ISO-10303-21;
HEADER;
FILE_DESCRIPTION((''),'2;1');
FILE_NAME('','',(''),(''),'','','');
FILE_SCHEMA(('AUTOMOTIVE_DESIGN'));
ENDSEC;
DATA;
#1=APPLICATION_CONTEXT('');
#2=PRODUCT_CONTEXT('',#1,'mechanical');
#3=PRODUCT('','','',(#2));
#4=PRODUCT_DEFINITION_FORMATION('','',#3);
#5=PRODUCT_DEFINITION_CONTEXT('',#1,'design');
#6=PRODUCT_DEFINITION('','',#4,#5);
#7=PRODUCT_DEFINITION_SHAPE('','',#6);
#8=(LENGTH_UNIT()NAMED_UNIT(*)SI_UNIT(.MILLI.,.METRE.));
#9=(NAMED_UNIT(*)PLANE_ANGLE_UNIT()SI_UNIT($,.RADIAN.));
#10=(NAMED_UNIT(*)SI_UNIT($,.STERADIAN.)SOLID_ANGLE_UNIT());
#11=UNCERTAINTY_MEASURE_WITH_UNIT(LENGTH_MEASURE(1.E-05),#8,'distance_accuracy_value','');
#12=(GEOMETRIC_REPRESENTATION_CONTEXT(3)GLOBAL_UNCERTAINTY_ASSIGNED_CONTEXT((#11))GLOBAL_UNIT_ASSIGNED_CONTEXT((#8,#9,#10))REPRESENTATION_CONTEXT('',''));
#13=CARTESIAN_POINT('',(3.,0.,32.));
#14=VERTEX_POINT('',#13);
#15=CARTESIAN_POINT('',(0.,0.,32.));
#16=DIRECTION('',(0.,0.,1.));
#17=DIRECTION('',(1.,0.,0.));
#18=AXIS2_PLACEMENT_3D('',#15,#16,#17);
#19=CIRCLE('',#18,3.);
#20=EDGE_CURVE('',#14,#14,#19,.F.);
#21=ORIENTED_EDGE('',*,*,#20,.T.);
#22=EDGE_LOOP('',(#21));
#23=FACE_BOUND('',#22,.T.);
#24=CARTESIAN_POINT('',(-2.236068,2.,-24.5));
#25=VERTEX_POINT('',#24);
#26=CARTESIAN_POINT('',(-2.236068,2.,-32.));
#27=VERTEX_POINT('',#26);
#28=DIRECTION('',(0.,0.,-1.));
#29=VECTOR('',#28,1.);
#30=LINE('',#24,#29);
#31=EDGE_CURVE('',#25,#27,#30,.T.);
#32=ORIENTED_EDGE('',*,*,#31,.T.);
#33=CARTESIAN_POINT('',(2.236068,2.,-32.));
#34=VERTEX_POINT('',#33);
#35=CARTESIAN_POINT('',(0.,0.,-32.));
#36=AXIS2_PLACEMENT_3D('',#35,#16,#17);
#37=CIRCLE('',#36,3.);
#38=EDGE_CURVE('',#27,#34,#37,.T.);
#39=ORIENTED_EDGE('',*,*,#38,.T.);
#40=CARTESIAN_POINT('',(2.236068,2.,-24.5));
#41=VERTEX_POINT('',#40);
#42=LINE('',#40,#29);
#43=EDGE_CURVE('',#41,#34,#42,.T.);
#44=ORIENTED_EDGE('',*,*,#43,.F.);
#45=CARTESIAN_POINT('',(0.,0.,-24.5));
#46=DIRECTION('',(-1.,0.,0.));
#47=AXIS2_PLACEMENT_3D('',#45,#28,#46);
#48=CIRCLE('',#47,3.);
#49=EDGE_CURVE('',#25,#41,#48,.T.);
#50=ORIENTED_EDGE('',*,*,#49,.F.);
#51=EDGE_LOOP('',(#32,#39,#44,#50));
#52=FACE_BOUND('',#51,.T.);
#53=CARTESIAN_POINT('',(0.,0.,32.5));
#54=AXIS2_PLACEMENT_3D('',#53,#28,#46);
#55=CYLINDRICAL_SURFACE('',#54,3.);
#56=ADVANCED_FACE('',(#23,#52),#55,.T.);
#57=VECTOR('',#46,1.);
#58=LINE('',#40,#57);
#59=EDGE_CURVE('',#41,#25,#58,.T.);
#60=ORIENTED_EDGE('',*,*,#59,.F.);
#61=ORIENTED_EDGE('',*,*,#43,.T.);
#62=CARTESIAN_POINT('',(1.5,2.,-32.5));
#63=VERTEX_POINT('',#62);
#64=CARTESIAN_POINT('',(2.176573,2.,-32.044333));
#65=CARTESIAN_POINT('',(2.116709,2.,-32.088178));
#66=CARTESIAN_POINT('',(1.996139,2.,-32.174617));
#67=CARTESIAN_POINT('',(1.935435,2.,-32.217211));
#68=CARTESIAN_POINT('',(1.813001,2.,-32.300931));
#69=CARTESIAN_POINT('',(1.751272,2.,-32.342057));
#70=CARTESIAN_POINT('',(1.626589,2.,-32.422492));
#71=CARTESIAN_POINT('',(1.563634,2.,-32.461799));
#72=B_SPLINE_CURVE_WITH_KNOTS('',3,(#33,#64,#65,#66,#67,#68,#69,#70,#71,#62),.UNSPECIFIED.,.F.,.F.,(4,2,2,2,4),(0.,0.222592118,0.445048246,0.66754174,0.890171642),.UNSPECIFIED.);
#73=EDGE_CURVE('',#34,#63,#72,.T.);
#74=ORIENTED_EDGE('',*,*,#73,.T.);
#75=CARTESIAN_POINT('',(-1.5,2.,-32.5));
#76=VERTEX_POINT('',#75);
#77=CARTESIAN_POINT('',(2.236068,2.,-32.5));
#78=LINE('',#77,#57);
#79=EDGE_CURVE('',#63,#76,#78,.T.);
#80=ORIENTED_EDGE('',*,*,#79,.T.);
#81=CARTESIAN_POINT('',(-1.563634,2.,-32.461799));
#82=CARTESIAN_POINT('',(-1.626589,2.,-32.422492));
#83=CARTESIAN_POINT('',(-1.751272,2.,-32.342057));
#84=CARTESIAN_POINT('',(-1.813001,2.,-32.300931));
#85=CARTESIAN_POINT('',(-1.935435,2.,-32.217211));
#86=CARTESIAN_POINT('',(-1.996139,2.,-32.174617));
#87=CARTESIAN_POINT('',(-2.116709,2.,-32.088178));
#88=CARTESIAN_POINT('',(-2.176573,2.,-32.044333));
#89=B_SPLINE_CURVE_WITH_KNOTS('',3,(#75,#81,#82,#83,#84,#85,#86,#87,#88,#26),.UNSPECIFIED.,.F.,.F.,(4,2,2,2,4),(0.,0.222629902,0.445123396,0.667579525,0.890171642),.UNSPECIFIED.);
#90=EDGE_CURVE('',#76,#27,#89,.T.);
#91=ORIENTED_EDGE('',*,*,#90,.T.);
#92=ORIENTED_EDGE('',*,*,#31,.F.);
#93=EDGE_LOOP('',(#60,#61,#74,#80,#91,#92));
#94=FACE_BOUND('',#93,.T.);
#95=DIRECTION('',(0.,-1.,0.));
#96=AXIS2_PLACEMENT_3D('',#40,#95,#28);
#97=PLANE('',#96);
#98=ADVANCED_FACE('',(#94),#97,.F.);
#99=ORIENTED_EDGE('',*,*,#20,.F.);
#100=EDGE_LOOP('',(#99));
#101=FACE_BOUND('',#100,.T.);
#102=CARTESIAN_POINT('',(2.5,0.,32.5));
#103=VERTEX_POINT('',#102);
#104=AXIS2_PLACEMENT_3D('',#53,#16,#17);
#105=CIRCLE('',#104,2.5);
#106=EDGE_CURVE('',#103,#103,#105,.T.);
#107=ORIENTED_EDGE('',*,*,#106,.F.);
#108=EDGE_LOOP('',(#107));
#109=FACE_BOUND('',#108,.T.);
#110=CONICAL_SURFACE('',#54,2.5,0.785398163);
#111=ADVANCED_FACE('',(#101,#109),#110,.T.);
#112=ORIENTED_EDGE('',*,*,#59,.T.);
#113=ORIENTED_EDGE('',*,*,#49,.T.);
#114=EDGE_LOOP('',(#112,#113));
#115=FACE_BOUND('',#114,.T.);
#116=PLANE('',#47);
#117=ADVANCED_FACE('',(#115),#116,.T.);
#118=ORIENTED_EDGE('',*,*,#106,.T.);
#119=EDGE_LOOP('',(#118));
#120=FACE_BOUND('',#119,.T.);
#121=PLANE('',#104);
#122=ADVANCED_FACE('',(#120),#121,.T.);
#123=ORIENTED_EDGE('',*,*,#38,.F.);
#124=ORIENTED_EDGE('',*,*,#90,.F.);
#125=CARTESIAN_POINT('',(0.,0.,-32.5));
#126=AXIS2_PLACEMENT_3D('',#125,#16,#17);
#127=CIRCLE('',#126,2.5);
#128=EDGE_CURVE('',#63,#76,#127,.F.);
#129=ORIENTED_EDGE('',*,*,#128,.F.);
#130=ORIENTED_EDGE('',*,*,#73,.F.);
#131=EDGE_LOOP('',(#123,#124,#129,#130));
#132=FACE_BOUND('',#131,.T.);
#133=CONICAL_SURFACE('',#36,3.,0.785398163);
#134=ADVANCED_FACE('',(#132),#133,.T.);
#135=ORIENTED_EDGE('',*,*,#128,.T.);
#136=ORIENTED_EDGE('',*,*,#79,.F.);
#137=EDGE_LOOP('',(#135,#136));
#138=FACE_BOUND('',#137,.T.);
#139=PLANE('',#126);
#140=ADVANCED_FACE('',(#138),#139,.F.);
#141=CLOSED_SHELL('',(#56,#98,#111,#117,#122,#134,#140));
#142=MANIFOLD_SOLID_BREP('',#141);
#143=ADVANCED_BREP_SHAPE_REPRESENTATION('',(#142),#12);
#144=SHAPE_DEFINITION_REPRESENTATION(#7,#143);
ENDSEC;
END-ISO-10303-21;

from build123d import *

# Parameters (mm, degrees)
SKETCH1_R           = 3
BOSS_EXTRUDE1_DEPTH = 32.5
CUT_EXTRUDE1_DEPTH  = 8
CHAMFER1_SIZE       = 0.5


with BuildPart() as part:
    # Sketch1 → Boss-Extrude1 (new body, symmetric)
    with BuildSketch(Plane.XY):
        Circle(SKETCH1_R)
    extrude(amount=BOSS_EXTRUDE1_DEPTH, both=True)

    # Sketch2 → Cut-Extrude1 (cut)
    with BuildSketch(Plane(origin=(0, 0, -32.5), x_dir=(-1, 0, 0), z_dir=(0, 0, -1))):
        with BuildLine():
            Line((-2.236067977, 2), (2.236067977, 2))
            ThreePointArc((2.236067977, 2), (0, 3), (-2.236067977, 2))
        make_face()
    extrude(amount=-CUT_EXTRUDE1_DEPTH, mode=Mode.SUBTRACT)

    # Chamfer1
    chamfer1_edges = [part.edges().sort_by_distance(p)[0] for p in [
        (-3, 0, 32.5),
        (-1.070466269, -2.802517077, -32.5),
    ]]
    chamfer(chamfer1_edges, length=CHAMFER1_SIZE)


solid = part.part
